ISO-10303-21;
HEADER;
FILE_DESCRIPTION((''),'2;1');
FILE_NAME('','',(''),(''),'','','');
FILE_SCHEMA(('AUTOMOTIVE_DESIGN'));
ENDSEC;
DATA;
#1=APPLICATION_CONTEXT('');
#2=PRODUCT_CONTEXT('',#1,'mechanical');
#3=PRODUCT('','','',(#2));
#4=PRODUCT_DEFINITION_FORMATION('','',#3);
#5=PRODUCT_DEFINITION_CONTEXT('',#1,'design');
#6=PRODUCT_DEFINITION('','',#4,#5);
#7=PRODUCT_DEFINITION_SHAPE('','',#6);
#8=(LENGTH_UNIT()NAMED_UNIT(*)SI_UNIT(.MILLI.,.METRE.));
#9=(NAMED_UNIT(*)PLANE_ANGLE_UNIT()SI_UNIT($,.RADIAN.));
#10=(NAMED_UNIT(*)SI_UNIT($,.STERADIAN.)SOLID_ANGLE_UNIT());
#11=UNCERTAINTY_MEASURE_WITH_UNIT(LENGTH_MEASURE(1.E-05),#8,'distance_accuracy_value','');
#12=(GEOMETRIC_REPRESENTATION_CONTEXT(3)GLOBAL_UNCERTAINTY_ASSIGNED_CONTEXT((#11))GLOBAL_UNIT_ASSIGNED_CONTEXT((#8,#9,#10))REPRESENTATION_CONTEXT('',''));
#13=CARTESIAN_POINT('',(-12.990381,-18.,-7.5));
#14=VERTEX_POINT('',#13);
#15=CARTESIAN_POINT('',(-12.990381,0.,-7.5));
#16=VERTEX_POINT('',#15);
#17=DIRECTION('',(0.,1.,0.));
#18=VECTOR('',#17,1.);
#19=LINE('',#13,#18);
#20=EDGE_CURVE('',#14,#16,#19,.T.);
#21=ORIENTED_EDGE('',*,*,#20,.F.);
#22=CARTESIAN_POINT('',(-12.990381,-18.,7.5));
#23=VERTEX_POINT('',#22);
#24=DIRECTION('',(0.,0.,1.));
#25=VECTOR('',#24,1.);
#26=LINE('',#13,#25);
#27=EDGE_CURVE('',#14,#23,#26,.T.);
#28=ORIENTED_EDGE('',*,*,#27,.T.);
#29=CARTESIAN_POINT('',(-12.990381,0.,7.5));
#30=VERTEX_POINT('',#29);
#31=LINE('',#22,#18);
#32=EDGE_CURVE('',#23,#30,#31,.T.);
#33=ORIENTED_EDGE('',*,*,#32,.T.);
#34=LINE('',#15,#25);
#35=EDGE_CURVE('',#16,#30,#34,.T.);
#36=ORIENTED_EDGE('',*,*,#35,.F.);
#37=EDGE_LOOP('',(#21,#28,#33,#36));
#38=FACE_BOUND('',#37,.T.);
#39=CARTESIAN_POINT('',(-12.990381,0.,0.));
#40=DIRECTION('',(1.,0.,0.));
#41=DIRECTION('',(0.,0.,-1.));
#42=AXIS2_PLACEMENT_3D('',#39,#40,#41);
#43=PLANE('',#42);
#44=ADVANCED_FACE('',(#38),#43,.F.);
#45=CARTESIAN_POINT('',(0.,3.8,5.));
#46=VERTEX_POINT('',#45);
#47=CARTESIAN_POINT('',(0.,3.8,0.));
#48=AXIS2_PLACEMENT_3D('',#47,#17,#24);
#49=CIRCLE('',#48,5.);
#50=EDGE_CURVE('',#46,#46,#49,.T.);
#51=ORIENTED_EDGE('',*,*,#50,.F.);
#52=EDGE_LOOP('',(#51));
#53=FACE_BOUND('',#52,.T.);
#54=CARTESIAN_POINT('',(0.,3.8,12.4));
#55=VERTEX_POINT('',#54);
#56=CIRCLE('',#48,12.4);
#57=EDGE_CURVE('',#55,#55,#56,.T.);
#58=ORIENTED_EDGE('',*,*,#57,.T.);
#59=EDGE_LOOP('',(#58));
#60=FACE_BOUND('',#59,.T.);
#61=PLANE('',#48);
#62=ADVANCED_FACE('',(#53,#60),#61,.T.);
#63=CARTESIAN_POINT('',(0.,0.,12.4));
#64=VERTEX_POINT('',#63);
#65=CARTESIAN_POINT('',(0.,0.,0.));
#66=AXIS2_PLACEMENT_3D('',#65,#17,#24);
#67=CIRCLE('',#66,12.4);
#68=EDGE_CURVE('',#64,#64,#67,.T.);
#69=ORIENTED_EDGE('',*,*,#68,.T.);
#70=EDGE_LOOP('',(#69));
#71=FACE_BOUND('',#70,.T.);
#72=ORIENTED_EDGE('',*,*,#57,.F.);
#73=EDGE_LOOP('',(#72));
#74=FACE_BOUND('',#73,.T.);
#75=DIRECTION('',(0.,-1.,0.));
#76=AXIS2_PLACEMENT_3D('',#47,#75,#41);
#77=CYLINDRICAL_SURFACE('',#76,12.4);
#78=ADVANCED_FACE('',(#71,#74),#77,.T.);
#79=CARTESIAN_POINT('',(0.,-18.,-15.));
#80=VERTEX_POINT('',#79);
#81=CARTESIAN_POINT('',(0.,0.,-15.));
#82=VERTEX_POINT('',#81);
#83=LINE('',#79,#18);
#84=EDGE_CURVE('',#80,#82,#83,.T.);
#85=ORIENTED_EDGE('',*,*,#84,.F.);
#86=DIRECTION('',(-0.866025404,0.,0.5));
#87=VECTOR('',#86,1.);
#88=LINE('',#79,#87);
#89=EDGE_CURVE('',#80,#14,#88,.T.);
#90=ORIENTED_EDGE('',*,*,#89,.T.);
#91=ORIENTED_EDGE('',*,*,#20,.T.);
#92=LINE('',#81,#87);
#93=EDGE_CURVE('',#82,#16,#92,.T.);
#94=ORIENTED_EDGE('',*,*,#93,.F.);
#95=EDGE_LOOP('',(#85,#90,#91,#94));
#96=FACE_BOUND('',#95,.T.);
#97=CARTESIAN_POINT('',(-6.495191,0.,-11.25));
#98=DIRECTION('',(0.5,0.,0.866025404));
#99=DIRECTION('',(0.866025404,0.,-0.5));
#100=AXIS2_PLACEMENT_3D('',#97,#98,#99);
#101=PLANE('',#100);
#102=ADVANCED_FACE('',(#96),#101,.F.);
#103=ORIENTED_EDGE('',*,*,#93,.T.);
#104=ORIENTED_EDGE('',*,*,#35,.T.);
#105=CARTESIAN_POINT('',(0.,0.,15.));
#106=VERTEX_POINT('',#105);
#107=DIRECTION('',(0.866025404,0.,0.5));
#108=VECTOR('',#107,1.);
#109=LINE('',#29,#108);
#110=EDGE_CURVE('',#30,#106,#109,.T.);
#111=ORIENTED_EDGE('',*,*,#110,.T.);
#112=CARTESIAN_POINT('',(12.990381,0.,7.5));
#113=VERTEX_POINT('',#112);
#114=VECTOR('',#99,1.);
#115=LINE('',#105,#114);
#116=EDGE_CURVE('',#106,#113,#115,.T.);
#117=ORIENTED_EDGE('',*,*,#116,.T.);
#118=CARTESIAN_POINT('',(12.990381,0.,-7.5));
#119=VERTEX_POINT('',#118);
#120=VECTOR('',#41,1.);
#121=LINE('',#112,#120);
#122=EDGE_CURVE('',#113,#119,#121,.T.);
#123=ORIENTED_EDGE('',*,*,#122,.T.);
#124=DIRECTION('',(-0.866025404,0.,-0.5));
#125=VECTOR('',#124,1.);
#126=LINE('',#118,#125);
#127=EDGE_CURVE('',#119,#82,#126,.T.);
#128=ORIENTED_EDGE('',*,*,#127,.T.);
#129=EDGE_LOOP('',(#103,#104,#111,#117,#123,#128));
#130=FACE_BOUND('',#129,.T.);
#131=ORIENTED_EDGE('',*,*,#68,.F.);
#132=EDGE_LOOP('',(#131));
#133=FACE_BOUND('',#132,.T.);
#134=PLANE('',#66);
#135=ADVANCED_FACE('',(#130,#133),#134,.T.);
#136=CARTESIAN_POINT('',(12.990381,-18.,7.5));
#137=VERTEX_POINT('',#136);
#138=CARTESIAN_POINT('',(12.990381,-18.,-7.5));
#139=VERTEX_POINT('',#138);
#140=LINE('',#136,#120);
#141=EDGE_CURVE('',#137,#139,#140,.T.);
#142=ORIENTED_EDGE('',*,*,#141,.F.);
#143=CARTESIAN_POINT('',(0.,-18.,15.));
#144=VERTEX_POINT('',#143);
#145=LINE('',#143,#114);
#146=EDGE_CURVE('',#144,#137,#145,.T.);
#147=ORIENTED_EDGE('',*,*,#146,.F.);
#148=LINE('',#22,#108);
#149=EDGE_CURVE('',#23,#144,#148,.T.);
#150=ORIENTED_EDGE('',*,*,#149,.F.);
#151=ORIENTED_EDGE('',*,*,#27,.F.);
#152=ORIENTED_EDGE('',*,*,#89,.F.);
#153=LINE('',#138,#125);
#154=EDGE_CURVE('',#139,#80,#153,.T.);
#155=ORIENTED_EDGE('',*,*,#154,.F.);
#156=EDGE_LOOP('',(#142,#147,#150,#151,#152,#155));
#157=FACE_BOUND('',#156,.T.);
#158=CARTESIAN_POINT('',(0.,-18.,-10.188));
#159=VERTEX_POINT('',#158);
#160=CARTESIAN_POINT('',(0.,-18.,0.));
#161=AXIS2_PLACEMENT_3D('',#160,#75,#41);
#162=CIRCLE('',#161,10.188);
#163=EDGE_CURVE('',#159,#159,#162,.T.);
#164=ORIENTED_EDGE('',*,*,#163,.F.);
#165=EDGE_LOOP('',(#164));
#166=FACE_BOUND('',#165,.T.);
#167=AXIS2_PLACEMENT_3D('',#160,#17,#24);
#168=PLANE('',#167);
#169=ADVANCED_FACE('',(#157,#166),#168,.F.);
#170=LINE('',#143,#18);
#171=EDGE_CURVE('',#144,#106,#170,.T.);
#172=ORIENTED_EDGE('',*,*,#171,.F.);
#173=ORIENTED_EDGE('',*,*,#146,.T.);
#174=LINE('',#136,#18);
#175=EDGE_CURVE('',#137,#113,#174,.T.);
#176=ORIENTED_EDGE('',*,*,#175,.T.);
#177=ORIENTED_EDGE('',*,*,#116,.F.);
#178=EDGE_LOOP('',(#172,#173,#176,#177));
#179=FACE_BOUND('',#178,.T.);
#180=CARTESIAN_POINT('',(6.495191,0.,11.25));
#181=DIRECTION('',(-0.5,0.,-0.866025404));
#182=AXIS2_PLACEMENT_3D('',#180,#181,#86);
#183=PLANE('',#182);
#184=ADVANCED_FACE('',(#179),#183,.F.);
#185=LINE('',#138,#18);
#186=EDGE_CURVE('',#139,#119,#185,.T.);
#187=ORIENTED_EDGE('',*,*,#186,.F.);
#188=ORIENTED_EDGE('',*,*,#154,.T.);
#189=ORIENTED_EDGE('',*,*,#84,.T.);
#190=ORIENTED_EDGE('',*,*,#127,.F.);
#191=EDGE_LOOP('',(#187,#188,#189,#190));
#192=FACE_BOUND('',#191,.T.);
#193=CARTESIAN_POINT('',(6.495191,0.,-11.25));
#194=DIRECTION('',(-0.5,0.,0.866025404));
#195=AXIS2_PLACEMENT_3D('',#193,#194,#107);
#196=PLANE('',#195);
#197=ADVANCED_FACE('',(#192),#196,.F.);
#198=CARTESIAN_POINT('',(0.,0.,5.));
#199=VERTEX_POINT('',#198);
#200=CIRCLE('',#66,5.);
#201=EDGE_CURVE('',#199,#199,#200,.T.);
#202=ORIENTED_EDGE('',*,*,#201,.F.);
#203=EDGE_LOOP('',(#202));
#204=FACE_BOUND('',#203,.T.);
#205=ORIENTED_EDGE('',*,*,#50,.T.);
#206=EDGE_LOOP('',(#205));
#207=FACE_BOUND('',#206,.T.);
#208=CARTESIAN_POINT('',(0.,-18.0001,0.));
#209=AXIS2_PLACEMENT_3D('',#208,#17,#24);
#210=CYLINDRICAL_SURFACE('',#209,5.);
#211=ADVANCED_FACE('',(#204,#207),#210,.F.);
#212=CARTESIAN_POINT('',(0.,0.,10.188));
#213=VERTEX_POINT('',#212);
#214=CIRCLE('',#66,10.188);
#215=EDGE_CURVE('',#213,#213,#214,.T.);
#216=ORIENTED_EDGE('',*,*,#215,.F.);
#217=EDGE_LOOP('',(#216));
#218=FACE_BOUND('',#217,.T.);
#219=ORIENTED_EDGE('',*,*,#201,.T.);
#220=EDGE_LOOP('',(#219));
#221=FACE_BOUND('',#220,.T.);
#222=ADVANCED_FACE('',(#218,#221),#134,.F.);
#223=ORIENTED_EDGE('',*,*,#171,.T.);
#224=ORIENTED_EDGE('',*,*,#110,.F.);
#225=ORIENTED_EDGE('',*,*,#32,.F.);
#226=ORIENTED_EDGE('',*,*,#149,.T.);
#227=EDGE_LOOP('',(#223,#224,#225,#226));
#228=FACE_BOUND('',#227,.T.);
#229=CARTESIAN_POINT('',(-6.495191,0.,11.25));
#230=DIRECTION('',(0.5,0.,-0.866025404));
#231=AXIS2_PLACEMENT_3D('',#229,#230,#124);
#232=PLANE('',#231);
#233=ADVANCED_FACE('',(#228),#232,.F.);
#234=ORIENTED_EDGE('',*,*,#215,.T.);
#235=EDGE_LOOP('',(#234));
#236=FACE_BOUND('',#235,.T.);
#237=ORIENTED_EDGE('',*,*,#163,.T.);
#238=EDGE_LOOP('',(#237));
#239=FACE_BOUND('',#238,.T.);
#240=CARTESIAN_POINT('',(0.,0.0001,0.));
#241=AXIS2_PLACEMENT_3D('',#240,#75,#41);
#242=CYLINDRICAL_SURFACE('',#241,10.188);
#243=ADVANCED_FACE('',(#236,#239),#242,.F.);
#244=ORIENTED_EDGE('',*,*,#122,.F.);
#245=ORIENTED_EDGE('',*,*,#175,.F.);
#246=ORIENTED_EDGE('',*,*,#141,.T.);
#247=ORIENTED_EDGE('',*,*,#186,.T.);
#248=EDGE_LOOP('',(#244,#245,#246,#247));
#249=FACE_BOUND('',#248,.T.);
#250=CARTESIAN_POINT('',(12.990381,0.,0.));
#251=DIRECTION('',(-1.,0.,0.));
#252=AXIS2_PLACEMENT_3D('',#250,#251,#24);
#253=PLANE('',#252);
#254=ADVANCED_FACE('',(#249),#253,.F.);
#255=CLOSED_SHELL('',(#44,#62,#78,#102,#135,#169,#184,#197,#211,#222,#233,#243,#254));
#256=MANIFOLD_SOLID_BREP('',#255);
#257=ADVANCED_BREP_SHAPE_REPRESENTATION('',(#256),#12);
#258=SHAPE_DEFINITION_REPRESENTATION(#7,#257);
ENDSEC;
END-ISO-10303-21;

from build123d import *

# Parameters (mm, degrees)
SKETCH_3_R          = 10.188
CUT_EXTRUDE_1_DEPTH = 27.790856821
SKETCH_5_R          = 12.4
SKETCH_4_R          = 12.4
SKETCH_6_R          = 5
CUT_EXTRUDE_2_DEPTH = 30.478636501


with BuildPart() as part:
    # Эскиз2 → По сечениям1 section 0
    with BuildSketch(Plane(origin=(0, -18, 0), x_dir=(1, 0, 0), z_dir=(0, 1, 0))):
        with BuildLine():
            Line((-12.990381057, -7.5), (0, -15))
            Line((0, -15), (12.990381057, -7.5))
            Line((12.990381057, -7.5), (12.990381057, 7.5))
            Line((12.990381057, 7.5), (0, 15))
            Line((0, 15), (-12.990381057, 7.5))
            Line((-12.990381057, 7.5), (-12.990381057, -7.5))
        make_face()
    # Эскиз1 → По сечениям1 section 1
    with BuildSketch(Plane(origin=(0, 0, 0), x_dir=(1, 0, 0), z_dir=(0, 1, 0))):
        with BuildLine():
            Line((0, 15), (-12.990381057, 7.5))
            Line((-12.990381057, 7.5), (-12.990381057, -7.5))
            Line((-12.990381057, -7.5), (0, -15))
            Line((0, -15), (12.990381057, -7.5))
            Line((12.990381057, -7.5), (12.990381057, 7.5))
            Line((12.990381057, 7.5), (0, 15))
        make_face()
    loft()

    # Эскиз3 → Вырез-Вытянуть1 (cut, through all)
    with BuildSketch(Plane.XZ.offset(18)):
        with Locations(Location((0, 0, 0), (0, 0, 270))):
            Circle(SKETCH_3_R)
    extrude(amount=-CUT_EXTRUDE_1_DEPTH, mode=Mode.SUBTRACT)

    # Эскиз5 → По сечениям2 section 0
    with BuildSketch(Plane(origin=(0, 3.8, 0), x_dir=(1, 0, 0), z_dir=(0, 1, 0))):
        Circle(SKETCH_5_R)
    # Эскиз4 → По сечениям2 section 1
    with BuildSketch(Plane(origin=(0, 0, 0), x_dir=(1, 0, 0), z_dir=(0, 1, 0))):
        Circle(SKETCH_4_R)
    loft()

    # Эскиз6 → Вырез-Вытянуть2 (cut, through all)
    with BuildSketch(Plane(origin=(0, 3.8, 0), x_dir=(1, 0, 0), z_dir=(0, 1, 0))):
        with Locations(Location((0, 0, 0), (0, 0, 270))):
            Circle(SKETCH_6_R)
    extrude(amount=-CUT_EXTRUDE_2_DEPTH, mode=Mode.SUBTRACT)


solid = part.part
